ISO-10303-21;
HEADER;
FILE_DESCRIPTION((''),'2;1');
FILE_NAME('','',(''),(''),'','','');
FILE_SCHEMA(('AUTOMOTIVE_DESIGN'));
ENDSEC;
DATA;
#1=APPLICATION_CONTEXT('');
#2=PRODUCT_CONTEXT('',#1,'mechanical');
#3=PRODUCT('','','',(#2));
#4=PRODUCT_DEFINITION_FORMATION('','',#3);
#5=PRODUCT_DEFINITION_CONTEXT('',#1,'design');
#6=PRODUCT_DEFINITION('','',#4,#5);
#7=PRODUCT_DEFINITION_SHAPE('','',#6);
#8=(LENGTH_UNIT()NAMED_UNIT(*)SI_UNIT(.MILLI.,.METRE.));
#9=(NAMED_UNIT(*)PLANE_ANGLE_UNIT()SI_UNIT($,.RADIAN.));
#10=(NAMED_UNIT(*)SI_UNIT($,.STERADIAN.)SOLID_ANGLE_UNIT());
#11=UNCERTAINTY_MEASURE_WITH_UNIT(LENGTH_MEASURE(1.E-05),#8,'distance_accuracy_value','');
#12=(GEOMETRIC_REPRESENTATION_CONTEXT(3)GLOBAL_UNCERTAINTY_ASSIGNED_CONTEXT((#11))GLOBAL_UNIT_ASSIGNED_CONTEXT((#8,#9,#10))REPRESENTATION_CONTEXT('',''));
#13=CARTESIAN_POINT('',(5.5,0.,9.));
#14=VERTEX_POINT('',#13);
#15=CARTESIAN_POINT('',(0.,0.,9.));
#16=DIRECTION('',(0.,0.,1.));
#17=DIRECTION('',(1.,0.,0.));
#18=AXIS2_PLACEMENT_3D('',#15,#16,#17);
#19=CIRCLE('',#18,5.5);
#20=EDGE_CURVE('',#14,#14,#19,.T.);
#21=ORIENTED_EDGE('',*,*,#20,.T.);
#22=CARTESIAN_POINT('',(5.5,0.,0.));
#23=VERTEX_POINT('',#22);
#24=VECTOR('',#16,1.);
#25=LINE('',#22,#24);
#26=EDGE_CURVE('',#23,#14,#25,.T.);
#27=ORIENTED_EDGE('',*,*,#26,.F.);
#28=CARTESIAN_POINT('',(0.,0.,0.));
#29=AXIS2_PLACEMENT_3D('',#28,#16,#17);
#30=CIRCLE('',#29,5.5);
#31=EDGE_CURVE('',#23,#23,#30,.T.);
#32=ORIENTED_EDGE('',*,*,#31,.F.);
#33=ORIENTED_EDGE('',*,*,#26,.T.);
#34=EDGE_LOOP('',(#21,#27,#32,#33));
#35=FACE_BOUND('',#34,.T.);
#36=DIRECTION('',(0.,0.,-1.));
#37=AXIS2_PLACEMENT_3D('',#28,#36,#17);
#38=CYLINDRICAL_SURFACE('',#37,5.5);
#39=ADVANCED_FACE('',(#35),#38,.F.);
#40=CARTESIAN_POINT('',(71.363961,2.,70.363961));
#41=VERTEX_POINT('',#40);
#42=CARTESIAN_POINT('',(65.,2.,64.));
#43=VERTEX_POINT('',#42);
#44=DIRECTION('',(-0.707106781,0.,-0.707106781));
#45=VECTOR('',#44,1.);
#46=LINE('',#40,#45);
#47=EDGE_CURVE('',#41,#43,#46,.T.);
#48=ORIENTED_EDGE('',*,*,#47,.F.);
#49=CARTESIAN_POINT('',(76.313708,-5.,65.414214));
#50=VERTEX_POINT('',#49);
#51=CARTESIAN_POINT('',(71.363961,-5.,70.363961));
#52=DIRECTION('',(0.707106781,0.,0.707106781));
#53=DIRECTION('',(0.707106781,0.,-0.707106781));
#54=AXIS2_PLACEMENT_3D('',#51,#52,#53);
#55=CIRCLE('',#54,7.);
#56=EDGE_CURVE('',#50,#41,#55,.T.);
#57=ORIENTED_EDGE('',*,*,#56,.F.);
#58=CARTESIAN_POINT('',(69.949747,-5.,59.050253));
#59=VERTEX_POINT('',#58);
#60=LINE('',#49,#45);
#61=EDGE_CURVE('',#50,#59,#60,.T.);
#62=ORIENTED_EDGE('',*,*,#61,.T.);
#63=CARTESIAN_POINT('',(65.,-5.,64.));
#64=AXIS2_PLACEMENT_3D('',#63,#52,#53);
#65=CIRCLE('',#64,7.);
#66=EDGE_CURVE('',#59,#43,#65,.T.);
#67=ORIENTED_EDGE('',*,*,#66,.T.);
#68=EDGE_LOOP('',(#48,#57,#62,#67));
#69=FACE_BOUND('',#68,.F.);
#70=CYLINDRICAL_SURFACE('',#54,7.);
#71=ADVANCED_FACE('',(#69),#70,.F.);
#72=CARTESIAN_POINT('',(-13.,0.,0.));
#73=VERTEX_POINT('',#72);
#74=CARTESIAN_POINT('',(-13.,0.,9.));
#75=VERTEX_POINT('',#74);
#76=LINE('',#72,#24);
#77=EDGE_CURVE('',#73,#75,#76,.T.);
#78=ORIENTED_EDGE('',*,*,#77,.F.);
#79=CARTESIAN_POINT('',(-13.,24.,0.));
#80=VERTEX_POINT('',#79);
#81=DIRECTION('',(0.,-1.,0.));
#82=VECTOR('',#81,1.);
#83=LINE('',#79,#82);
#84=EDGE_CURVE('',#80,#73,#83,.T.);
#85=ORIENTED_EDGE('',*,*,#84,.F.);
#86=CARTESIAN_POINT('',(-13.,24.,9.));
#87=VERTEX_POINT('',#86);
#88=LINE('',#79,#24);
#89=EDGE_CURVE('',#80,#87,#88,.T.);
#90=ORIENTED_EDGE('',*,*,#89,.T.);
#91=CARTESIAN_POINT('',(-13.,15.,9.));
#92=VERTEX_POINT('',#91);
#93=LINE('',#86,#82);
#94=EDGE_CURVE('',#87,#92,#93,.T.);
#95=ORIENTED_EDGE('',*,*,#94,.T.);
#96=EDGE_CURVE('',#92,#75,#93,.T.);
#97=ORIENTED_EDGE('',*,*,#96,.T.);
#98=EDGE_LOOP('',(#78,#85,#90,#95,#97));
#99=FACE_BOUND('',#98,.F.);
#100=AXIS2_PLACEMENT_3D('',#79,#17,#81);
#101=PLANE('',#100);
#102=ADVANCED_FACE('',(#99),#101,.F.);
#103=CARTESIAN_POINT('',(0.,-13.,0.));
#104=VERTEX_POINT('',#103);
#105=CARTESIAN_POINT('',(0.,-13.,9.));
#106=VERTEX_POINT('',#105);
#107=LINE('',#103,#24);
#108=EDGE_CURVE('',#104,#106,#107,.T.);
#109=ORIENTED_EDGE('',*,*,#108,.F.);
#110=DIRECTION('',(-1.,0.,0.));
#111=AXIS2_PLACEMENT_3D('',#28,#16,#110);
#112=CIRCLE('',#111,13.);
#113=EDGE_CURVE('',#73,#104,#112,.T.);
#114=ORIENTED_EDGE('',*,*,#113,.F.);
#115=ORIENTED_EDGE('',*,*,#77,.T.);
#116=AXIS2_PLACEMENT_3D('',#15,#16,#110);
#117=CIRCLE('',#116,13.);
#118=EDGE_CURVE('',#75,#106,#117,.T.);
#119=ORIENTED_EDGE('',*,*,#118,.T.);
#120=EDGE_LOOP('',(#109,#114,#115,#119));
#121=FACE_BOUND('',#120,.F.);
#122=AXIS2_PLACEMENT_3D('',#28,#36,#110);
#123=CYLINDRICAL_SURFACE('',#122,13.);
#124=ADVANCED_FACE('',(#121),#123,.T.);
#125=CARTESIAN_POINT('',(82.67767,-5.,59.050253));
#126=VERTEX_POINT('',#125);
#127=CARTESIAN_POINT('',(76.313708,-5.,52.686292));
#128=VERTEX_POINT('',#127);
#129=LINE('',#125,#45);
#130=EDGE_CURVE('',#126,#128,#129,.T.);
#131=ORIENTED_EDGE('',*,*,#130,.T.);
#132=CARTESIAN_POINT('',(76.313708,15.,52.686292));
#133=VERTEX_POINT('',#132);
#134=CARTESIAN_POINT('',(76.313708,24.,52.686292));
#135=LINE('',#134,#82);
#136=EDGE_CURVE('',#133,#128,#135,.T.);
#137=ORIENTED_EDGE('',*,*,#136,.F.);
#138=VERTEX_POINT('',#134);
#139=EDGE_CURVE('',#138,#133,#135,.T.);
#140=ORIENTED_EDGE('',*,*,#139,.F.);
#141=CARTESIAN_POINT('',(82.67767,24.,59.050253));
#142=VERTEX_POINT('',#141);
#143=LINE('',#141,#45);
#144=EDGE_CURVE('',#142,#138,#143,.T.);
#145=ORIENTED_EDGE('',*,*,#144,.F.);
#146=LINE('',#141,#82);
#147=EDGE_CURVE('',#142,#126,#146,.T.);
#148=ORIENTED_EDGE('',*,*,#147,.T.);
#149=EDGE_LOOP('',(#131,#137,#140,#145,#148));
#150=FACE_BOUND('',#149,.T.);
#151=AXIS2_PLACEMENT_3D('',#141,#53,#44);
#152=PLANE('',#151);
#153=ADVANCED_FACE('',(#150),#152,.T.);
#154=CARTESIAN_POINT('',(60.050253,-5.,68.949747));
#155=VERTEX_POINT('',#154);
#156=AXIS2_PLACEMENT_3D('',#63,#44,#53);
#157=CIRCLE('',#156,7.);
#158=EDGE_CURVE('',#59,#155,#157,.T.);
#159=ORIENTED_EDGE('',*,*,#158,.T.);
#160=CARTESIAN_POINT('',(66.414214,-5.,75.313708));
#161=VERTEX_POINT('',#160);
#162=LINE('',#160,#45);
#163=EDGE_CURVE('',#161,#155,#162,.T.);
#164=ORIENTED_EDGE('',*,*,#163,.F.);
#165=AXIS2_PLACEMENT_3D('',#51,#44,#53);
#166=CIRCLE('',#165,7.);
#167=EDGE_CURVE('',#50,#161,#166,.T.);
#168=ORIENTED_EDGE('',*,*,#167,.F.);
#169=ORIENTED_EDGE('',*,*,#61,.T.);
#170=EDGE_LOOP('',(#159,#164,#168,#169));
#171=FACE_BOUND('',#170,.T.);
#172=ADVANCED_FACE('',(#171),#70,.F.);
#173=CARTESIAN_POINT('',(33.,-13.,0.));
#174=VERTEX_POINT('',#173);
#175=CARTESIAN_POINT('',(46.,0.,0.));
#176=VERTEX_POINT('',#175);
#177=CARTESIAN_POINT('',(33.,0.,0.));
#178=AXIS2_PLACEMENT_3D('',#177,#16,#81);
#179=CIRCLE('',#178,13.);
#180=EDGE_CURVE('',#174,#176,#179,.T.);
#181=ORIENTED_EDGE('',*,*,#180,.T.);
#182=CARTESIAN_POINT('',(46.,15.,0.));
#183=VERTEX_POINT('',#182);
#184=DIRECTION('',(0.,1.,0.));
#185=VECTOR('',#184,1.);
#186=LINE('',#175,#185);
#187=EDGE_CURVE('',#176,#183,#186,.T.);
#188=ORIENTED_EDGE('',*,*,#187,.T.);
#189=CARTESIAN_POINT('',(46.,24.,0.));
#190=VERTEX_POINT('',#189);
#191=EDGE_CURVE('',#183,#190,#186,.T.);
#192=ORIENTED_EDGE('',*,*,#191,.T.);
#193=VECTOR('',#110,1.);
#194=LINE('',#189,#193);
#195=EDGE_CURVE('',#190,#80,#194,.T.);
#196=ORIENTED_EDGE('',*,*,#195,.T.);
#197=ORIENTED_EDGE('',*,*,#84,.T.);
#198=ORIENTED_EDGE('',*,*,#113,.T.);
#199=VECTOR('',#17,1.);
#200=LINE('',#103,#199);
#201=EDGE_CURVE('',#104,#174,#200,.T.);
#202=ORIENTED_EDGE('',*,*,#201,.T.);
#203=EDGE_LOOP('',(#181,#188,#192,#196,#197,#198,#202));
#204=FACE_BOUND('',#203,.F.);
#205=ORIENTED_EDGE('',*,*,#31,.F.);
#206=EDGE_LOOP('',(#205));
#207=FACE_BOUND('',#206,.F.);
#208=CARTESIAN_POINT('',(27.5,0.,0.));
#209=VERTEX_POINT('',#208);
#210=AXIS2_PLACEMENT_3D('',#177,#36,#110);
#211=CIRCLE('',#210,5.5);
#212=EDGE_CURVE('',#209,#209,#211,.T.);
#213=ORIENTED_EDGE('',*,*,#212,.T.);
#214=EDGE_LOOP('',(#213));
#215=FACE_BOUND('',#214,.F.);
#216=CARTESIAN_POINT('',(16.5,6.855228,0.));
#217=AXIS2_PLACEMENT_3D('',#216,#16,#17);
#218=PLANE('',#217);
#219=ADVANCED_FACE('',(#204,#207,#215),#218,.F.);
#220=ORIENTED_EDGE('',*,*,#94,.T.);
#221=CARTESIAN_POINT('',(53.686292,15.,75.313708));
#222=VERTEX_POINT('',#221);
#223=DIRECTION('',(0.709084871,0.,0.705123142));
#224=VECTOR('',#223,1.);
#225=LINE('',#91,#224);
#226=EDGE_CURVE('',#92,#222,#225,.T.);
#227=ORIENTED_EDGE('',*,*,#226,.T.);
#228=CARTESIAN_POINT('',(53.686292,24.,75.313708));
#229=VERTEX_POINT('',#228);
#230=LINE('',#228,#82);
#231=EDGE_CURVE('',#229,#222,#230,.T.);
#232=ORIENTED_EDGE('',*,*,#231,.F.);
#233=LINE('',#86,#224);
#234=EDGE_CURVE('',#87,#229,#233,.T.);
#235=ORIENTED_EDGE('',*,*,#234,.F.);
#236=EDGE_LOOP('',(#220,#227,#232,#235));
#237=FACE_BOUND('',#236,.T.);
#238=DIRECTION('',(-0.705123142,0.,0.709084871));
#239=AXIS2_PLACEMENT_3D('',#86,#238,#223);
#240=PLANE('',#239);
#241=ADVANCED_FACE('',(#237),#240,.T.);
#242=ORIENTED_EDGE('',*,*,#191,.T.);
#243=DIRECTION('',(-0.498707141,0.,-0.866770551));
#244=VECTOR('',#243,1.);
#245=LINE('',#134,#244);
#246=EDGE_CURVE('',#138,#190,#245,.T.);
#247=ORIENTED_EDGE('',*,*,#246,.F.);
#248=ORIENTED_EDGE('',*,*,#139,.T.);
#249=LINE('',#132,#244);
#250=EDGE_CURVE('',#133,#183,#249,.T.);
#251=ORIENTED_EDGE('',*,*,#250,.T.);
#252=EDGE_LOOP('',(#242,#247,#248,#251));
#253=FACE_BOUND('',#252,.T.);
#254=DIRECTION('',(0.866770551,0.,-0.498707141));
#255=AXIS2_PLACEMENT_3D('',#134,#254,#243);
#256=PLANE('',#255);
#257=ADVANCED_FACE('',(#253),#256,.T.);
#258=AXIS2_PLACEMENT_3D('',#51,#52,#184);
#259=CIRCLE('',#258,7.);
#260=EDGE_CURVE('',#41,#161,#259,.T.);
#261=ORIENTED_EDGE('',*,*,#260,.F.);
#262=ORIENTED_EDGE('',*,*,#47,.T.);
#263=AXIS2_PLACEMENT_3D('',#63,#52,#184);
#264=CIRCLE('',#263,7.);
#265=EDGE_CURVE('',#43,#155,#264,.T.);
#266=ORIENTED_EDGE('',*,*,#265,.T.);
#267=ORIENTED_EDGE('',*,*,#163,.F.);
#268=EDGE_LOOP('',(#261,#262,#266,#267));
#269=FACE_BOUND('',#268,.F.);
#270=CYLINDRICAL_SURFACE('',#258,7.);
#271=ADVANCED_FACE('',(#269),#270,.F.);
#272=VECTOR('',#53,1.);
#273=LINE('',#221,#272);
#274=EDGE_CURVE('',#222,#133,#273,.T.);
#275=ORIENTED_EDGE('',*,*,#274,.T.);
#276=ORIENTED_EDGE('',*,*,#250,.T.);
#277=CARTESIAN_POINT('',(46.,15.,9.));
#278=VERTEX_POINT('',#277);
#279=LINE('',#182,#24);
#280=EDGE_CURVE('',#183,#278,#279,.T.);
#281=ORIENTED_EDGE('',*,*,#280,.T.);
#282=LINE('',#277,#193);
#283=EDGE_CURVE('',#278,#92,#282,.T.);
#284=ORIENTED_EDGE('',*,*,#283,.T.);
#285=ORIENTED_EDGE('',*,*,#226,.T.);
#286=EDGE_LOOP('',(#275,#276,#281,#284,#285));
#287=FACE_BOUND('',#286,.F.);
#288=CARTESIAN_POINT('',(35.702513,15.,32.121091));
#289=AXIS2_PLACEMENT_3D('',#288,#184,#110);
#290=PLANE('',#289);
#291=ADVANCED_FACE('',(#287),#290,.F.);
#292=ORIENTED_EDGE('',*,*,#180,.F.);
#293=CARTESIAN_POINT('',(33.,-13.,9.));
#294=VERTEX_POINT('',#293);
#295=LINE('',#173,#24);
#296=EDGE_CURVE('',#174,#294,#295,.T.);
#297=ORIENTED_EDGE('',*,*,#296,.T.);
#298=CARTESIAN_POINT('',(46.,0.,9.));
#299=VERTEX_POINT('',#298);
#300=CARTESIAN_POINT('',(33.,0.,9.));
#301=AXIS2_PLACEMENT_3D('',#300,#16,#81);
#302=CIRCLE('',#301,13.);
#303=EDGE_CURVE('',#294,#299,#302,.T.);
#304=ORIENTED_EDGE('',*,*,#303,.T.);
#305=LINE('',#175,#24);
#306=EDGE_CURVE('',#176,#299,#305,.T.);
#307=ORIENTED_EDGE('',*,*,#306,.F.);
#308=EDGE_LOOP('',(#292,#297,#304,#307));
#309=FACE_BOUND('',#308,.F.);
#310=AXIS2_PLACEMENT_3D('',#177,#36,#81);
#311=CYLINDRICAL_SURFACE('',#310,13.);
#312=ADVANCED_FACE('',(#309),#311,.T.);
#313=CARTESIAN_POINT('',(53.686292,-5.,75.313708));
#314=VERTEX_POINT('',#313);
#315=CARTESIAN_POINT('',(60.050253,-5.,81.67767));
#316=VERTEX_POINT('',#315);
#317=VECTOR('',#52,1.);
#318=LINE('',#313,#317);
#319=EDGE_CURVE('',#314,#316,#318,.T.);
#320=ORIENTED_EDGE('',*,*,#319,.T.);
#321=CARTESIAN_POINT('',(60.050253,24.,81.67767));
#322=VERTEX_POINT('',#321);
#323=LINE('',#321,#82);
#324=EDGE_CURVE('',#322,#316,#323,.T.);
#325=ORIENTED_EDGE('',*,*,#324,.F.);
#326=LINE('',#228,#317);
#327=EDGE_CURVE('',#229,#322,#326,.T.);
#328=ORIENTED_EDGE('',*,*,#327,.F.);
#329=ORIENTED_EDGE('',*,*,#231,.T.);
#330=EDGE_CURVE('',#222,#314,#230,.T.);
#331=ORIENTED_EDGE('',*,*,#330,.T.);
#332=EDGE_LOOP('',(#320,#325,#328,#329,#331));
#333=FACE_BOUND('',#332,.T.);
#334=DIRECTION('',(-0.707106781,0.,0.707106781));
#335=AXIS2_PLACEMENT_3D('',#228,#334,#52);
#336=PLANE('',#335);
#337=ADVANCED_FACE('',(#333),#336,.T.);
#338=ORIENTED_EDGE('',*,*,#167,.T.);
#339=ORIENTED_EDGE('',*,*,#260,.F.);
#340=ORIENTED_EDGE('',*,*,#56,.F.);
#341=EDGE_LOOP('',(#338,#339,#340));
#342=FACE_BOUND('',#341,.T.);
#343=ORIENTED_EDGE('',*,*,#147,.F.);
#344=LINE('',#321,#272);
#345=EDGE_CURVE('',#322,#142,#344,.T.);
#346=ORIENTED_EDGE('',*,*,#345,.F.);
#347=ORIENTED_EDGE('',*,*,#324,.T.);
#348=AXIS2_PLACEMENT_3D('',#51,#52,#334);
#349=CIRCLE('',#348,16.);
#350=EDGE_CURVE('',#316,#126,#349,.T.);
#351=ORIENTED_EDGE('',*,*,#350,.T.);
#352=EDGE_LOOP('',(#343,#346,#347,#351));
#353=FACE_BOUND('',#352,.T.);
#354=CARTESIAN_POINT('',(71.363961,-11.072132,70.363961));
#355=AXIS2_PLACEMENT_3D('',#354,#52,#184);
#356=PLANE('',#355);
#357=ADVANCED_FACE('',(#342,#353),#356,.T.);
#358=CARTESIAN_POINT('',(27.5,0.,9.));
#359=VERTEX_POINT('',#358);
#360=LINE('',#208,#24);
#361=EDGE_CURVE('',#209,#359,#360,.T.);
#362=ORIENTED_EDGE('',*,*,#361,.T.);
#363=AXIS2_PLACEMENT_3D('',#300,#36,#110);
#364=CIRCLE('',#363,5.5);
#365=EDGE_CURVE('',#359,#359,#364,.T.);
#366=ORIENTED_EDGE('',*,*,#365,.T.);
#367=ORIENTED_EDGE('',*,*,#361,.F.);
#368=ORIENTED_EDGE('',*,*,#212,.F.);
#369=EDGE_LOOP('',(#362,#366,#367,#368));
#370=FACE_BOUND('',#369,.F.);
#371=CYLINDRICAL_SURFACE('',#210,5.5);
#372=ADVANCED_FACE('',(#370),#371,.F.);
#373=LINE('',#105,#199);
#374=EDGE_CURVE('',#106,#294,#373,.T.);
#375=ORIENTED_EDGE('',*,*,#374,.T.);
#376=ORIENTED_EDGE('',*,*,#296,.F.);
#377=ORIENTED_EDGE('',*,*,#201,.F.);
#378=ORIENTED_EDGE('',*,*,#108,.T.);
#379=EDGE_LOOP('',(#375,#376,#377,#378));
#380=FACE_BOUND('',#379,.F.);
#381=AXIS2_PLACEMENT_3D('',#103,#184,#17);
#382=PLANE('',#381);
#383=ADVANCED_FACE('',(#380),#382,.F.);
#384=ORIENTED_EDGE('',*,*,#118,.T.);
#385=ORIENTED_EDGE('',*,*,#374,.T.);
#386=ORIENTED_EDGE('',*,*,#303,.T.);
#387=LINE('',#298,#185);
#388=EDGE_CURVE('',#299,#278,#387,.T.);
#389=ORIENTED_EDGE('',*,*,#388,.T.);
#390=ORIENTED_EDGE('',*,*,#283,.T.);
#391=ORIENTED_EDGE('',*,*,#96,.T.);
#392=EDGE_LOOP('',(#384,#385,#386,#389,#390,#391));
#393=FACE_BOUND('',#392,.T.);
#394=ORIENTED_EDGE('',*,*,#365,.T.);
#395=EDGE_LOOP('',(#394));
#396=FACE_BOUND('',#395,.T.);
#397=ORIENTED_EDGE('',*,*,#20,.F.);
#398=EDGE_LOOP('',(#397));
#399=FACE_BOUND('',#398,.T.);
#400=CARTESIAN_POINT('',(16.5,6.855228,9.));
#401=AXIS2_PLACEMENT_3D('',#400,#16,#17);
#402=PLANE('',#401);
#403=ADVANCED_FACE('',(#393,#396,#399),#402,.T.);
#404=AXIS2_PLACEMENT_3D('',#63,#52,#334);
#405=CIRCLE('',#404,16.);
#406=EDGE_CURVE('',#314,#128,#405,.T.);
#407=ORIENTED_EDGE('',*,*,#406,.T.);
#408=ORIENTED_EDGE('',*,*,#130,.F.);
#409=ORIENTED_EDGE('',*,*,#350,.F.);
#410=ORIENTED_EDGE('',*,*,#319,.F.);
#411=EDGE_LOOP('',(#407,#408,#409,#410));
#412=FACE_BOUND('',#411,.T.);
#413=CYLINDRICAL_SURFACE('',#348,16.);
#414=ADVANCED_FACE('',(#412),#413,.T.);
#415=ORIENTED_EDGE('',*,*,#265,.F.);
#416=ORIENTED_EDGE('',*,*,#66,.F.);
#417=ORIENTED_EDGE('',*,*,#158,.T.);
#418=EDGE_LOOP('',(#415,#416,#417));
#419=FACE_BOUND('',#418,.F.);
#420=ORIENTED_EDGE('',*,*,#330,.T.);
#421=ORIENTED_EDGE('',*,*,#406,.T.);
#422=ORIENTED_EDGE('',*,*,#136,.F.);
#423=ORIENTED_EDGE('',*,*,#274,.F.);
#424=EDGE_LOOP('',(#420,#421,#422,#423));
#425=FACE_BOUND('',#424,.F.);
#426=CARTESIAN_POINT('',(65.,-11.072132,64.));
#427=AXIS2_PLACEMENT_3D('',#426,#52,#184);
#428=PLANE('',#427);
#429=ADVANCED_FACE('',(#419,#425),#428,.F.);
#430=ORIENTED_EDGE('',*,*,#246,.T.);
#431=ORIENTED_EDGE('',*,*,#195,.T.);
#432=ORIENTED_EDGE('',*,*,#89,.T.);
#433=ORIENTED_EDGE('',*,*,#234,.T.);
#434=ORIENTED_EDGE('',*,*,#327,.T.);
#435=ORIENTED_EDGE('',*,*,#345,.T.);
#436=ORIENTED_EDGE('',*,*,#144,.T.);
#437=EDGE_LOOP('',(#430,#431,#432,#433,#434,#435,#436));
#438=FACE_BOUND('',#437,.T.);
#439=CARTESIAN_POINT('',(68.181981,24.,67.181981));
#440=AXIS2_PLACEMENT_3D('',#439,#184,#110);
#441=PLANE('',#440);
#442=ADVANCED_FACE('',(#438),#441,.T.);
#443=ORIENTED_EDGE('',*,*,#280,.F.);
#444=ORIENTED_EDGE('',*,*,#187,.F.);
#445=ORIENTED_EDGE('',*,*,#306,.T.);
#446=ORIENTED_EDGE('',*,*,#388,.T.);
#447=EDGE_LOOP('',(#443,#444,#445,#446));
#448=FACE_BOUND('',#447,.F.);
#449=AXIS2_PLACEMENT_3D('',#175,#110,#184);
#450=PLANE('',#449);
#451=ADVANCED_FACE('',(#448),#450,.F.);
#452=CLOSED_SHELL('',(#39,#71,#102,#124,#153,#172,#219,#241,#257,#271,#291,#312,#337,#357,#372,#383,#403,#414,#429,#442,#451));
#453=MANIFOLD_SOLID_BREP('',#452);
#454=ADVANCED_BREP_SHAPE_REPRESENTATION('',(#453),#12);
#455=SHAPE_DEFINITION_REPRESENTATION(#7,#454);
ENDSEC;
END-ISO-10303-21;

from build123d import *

# Parameters (mm, degrees)
F0_R     = 5.5
F1_DEPTH = 9
F4_DEPTH = 9
F5_DEPTH = 29
F7_DEPTH = 9
F8_DEPTH = 9


with BuildPart() as f1:
    # F0 (on Top) → F1 (new body)
    with BuildSketch(Plane.XY):
        with BuildLine():
            Line((-13, 24), (-13, 0))
            ThreePointArc((-13, 0), (-9.1923881554, -9.1923881554), (0, -13))
            Line((0, -13), (33, -13))
            ThreePointArc((33, -13), (42.1923881554, -9.1923881554), (46, 0))
            Line((46, 0), (46, 24))
            Line((46, 24), (-13, 24))
        make_face()
        Circle(F0_R, mode=Mode.SUBTRACT)
        with BuildLine():
            ThreePointArc((38.5, 0), (33, -5.5), (27.5, 0))
            ThreePointArc((27.5, 0), (33, 5.5), (38.5, 0))
        make_face(mode=Mode.SUBTRACT)
    extrude(amount=F1_DEPTH)

    # F3 (on face) → F4 (join)
    with BuildSketch(Plane(origin=(0, 24, 0), x_dir=(-1, 0, 0), z_dir=(0, 1, 0))):
        Polygon((-65, 64), (-76.313708499, 52.686291501), (-46, 0), (-46, 9), (13, 9), (-53.686291501, 75.313708499), align=None)
    extrude(amount=-F4_DEPTH)

    # F2 (on face) → F5 (join)
    with BuildSketch(Plane(origin=(0, 24, 0), x_dir=(-1, 0, 0), z_dir=(0, 1, 0))):
        Polygon((-76.313708499, 52.686291501), (-65, 64), (-53.686291501, 75.313708499), (-60.0502525317, 81.6776695297), (-82.6776695297, 59.0502525317), align=None)
    extrude(amount=-F5_DEPTH)

    # F6 (on face) → F7 (cut)
    with BuildSketch(Plane(origin=(70.8639610307, 0, 70.8639610307), x_dir=(0, 1, 0), z_dir=(0.7071067812, 0, 0.7071067812))):
        with BuildLine():
            ThreePointArc((2, -0.7071067812), (-0.0502525317, 4.2426406871), (-5, 6.2928932188))
            Line((-5, 6.2928932188), (-5, -7.7071067812))
            ThreePointArc((-5, -7.7071067812), (-0.0502525317, -5.6568542495), (2, -0.7071067812))
        make_face()
    extrude(amount=-F7_DEPTH, mode=Mode.SUBTRACT)

    # F6 (on face) → F8 (join)
    with BuildSketch(Plane(origin=(70.8639610307, 0, 70.8639610307), x_dir=(0, 1, 0), z_dir=(0.7071067812, 0, 0.7071067812))):
        with BuildLine():
            Line((-5, 6.2928932188), (-5, 15.2928932188))
            ThreePointArc((-5, 15.2928932188), (-21, -0.7071067812), (-5, -16.7071067812))
            Line((-5, -16.7071067812), (-5, -7.7071067812))
            ThreePointArc((-5, -7.7071067812), (-12, -0.7071067812), (-5, 6.2928932188))
        make_face()
    extrude(amount=-F8_DEPTH)


solid = f1.part
